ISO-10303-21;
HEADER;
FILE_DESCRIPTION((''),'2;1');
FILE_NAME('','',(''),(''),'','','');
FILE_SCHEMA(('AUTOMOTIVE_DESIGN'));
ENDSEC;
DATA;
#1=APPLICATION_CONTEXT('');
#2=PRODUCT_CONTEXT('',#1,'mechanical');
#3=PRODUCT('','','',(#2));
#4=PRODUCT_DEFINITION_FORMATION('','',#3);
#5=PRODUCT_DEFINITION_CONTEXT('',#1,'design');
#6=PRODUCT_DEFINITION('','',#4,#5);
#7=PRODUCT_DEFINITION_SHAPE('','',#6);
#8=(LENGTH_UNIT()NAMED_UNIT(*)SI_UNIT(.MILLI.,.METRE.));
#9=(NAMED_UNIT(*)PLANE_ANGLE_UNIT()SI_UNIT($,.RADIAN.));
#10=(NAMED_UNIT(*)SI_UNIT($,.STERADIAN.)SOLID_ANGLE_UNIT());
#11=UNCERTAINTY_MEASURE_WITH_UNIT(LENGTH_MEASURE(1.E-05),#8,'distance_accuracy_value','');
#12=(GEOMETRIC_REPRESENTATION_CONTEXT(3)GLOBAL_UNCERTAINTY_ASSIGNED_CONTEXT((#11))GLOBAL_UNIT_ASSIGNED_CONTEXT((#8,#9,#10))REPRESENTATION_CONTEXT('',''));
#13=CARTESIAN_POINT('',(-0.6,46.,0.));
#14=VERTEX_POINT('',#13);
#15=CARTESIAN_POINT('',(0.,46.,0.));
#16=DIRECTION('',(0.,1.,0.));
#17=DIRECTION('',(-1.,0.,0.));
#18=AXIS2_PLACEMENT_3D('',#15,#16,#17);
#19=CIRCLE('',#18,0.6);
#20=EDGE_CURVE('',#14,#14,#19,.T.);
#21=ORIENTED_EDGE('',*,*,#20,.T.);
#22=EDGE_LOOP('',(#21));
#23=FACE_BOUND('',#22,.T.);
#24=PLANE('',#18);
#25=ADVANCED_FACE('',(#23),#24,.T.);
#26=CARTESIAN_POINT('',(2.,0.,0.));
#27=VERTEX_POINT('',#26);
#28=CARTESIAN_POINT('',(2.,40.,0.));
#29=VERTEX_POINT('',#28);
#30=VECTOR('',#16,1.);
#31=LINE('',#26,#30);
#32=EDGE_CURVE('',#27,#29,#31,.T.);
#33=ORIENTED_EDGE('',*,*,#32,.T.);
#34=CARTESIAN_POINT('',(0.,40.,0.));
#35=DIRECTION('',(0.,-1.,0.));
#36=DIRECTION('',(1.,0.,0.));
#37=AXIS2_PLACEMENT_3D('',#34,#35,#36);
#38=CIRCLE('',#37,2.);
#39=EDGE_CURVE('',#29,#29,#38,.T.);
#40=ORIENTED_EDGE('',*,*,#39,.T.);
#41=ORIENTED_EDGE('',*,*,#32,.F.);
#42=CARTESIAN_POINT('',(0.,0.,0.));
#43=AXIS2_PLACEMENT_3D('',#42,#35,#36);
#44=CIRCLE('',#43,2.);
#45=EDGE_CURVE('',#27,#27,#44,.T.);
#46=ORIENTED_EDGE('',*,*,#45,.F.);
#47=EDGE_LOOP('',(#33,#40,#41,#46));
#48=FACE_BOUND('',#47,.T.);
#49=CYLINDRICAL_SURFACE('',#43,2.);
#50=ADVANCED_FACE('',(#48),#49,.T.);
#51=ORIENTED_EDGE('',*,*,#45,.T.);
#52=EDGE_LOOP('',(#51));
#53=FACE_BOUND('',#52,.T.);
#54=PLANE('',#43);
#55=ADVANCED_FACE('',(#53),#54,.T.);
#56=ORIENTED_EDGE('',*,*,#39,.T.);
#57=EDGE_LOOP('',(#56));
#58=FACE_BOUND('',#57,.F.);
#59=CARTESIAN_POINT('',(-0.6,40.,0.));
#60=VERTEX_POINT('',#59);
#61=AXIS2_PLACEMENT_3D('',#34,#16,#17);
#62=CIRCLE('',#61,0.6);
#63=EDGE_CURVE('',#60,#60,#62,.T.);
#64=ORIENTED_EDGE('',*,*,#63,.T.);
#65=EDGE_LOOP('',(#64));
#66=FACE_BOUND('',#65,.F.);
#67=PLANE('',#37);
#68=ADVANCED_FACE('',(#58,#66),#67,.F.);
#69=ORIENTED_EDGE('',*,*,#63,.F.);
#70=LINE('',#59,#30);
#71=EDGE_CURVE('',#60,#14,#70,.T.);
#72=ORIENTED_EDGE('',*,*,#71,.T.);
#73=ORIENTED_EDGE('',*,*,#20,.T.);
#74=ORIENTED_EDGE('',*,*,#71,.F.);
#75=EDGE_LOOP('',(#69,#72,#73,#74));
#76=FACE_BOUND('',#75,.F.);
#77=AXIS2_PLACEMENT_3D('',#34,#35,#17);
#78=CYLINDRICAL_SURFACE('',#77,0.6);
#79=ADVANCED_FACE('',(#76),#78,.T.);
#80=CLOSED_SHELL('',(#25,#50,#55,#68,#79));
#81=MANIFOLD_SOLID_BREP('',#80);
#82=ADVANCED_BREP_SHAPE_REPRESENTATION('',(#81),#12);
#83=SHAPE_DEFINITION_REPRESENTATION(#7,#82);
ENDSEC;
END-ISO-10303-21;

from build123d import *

# Parameters (mm, degrees)
F0_R     = 2
F1_DEPTH = 40
F2_R     = 0.6
F3_DEPTH = 6


with BuildPart() as f1:
    # F0 (on Front) → F1 (new body)
    with BuildSketch(Plane.XZ):
        Circle(F0_R)
    extrude(amount=-F1_DEPTH)

    # F2 (on face) → F3 (join)
    with BuildSketch(Plane(origin=(0, 40, 0), x_dir=(-1, 0, 0), z_dir=(0, 1, 0))):
        Circle(F2_R)
    extrude(amount=F3_DEPTH)


solid = f1.part
